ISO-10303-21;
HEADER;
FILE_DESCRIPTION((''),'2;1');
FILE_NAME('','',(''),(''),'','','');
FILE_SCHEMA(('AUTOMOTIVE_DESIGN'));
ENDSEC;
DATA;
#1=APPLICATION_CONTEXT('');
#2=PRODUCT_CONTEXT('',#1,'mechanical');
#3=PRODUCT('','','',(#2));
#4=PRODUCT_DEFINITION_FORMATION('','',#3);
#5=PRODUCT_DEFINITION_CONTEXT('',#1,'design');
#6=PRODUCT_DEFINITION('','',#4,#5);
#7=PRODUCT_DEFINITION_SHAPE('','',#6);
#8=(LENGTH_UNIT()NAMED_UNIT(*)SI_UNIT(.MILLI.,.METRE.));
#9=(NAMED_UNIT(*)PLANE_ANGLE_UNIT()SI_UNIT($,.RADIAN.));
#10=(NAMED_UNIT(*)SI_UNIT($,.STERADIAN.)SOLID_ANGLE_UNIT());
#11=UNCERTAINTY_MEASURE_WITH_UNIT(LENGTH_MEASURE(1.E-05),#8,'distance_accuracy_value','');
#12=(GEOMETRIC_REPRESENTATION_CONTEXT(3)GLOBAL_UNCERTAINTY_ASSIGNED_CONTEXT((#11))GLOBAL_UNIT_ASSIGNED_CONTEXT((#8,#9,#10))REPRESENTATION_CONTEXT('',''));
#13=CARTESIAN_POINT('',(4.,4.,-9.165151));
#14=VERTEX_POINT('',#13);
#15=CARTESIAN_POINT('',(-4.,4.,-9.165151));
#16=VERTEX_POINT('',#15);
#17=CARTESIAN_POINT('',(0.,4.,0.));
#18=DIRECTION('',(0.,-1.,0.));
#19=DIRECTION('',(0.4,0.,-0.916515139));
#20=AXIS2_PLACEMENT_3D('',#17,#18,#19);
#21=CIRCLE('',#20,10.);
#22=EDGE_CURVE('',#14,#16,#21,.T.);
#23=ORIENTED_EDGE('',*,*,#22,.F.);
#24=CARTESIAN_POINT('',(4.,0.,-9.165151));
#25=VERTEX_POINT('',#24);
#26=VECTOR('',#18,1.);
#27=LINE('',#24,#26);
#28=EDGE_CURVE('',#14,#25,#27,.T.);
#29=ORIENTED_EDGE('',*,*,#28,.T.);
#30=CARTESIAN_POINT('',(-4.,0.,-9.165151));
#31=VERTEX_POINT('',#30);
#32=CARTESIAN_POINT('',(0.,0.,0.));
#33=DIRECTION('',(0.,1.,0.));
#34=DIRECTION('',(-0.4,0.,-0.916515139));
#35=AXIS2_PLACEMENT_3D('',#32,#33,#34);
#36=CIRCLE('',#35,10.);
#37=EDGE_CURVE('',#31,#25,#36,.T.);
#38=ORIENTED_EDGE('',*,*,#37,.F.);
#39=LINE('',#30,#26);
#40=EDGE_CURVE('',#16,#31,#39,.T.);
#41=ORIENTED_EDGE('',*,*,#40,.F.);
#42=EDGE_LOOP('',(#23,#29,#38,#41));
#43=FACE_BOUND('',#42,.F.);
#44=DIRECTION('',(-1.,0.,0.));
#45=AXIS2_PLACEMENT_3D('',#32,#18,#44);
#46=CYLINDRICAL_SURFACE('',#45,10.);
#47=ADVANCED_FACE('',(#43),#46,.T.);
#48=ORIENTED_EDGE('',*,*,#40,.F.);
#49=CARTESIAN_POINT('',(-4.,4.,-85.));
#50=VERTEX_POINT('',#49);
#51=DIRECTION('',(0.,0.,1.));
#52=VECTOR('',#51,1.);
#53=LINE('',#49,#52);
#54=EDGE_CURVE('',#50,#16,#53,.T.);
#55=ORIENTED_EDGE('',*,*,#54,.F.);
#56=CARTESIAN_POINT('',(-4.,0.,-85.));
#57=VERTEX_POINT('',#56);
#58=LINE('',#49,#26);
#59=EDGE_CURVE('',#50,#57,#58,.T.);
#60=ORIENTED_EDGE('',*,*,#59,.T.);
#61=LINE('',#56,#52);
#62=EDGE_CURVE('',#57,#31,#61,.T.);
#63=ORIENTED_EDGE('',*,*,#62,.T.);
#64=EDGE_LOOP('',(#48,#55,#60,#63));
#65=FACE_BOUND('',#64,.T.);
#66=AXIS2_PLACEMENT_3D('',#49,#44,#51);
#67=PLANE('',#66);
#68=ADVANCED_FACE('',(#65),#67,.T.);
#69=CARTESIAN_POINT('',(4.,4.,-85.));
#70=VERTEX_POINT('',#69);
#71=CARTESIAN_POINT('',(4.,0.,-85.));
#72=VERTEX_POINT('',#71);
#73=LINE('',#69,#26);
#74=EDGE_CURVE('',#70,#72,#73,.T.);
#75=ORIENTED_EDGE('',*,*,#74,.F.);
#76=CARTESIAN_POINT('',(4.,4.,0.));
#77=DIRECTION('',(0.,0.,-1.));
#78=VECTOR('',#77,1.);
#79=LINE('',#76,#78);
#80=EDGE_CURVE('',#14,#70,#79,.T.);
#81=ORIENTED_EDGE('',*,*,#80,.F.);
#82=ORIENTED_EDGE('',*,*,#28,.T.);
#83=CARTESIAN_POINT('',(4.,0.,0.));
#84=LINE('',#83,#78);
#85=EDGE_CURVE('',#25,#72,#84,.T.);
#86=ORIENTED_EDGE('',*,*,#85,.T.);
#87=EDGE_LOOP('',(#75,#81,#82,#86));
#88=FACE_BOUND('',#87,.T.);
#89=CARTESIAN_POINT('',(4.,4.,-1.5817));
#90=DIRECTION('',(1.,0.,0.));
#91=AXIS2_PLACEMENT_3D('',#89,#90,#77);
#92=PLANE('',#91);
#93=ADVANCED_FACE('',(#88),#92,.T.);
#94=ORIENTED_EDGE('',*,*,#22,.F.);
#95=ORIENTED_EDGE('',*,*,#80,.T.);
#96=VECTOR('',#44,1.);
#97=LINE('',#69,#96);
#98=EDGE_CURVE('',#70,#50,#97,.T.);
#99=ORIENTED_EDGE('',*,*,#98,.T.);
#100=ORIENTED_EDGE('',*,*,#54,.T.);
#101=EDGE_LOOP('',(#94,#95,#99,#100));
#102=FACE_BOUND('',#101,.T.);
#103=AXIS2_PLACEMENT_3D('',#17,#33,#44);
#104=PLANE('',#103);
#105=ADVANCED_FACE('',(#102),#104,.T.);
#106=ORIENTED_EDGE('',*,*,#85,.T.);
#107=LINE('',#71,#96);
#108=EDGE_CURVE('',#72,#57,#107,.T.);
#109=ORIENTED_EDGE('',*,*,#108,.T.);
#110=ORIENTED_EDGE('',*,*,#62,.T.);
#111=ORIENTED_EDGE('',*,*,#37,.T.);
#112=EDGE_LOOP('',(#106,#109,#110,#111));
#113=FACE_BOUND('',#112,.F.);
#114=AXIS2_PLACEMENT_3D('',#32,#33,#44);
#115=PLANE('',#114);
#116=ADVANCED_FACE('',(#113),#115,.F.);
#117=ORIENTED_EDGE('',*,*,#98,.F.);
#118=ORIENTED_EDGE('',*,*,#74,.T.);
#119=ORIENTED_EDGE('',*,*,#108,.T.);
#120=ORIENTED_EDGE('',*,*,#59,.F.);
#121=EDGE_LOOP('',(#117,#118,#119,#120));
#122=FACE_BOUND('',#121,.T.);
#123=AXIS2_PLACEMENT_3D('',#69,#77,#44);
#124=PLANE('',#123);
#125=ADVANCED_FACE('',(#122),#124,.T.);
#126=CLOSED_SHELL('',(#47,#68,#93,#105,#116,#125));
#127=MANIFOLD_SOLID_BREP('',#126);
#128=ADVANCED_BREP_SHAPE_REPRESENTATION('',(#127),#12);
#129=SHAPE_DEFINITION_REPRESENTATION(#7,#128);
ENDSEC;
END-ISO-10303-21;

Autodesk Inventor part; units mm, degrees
ref_plane "YZ Plane" through (0, 0, 0) normal (1, 0, 0) x (0, 1, 0)
ref_plane "XZ Plane" through (0, 0, 0) normal (0, 1, 0) x (-1, 0, 0)
ref_plane "XY Plane" through (0, 0, 0) normal (0, 0, 1) x (1, 0, 0)
sketch "Sketch1" plane through (0, 0, 0) normal (0, 1, 0) x (-1, 0, 0)
  point P0 (0, 0)
sketch "Sketch2" plane through (0, 0, 0) normal (0, 1, 0) x (-1, 0, 0)
  point P0 (0, 0)
sketch "Sketch3" plane through (0, 0, 0) normal (0, 1, 0) x (-1, 0, 0)
  circle A0 centre (0, 0) radius 10
  dimension "d0" = 20
extrude "Extrusion1" add sketch "Sketch3" along normal blind 4
sketch "Sketch4" plane through (0, 4, 0) normal (0, 1, 0) x (1, 0, 0)
  line L0 (0, 0) -> (-4, 0)
  line L1 (-4, 0) -> (4, 0)
  line L2 (4, 0) -> (4, 1.5817)
  line L3 (4, 1.5817) -> (-4, 1.5817)
  line L4 (-4, 1.5817) -> (-4, 0)
  line L5 (-4, 0) -> (4, 0)
  line L6 (4, 0) -> (4, 85)
  line L7 (4, 85) -> (-4, 85)
  line L8 (-4, 85) -> (-4, 0)
  dimension "d3" = 4
  dimension "d4" = 8
  dimension "d5" = 8
  dimension "d6" = 85
extrude "Extrusion2" add sketch "Sketch4" against normal blind 4 contours L8 L7 L6 L3
properties part number "expo13"
